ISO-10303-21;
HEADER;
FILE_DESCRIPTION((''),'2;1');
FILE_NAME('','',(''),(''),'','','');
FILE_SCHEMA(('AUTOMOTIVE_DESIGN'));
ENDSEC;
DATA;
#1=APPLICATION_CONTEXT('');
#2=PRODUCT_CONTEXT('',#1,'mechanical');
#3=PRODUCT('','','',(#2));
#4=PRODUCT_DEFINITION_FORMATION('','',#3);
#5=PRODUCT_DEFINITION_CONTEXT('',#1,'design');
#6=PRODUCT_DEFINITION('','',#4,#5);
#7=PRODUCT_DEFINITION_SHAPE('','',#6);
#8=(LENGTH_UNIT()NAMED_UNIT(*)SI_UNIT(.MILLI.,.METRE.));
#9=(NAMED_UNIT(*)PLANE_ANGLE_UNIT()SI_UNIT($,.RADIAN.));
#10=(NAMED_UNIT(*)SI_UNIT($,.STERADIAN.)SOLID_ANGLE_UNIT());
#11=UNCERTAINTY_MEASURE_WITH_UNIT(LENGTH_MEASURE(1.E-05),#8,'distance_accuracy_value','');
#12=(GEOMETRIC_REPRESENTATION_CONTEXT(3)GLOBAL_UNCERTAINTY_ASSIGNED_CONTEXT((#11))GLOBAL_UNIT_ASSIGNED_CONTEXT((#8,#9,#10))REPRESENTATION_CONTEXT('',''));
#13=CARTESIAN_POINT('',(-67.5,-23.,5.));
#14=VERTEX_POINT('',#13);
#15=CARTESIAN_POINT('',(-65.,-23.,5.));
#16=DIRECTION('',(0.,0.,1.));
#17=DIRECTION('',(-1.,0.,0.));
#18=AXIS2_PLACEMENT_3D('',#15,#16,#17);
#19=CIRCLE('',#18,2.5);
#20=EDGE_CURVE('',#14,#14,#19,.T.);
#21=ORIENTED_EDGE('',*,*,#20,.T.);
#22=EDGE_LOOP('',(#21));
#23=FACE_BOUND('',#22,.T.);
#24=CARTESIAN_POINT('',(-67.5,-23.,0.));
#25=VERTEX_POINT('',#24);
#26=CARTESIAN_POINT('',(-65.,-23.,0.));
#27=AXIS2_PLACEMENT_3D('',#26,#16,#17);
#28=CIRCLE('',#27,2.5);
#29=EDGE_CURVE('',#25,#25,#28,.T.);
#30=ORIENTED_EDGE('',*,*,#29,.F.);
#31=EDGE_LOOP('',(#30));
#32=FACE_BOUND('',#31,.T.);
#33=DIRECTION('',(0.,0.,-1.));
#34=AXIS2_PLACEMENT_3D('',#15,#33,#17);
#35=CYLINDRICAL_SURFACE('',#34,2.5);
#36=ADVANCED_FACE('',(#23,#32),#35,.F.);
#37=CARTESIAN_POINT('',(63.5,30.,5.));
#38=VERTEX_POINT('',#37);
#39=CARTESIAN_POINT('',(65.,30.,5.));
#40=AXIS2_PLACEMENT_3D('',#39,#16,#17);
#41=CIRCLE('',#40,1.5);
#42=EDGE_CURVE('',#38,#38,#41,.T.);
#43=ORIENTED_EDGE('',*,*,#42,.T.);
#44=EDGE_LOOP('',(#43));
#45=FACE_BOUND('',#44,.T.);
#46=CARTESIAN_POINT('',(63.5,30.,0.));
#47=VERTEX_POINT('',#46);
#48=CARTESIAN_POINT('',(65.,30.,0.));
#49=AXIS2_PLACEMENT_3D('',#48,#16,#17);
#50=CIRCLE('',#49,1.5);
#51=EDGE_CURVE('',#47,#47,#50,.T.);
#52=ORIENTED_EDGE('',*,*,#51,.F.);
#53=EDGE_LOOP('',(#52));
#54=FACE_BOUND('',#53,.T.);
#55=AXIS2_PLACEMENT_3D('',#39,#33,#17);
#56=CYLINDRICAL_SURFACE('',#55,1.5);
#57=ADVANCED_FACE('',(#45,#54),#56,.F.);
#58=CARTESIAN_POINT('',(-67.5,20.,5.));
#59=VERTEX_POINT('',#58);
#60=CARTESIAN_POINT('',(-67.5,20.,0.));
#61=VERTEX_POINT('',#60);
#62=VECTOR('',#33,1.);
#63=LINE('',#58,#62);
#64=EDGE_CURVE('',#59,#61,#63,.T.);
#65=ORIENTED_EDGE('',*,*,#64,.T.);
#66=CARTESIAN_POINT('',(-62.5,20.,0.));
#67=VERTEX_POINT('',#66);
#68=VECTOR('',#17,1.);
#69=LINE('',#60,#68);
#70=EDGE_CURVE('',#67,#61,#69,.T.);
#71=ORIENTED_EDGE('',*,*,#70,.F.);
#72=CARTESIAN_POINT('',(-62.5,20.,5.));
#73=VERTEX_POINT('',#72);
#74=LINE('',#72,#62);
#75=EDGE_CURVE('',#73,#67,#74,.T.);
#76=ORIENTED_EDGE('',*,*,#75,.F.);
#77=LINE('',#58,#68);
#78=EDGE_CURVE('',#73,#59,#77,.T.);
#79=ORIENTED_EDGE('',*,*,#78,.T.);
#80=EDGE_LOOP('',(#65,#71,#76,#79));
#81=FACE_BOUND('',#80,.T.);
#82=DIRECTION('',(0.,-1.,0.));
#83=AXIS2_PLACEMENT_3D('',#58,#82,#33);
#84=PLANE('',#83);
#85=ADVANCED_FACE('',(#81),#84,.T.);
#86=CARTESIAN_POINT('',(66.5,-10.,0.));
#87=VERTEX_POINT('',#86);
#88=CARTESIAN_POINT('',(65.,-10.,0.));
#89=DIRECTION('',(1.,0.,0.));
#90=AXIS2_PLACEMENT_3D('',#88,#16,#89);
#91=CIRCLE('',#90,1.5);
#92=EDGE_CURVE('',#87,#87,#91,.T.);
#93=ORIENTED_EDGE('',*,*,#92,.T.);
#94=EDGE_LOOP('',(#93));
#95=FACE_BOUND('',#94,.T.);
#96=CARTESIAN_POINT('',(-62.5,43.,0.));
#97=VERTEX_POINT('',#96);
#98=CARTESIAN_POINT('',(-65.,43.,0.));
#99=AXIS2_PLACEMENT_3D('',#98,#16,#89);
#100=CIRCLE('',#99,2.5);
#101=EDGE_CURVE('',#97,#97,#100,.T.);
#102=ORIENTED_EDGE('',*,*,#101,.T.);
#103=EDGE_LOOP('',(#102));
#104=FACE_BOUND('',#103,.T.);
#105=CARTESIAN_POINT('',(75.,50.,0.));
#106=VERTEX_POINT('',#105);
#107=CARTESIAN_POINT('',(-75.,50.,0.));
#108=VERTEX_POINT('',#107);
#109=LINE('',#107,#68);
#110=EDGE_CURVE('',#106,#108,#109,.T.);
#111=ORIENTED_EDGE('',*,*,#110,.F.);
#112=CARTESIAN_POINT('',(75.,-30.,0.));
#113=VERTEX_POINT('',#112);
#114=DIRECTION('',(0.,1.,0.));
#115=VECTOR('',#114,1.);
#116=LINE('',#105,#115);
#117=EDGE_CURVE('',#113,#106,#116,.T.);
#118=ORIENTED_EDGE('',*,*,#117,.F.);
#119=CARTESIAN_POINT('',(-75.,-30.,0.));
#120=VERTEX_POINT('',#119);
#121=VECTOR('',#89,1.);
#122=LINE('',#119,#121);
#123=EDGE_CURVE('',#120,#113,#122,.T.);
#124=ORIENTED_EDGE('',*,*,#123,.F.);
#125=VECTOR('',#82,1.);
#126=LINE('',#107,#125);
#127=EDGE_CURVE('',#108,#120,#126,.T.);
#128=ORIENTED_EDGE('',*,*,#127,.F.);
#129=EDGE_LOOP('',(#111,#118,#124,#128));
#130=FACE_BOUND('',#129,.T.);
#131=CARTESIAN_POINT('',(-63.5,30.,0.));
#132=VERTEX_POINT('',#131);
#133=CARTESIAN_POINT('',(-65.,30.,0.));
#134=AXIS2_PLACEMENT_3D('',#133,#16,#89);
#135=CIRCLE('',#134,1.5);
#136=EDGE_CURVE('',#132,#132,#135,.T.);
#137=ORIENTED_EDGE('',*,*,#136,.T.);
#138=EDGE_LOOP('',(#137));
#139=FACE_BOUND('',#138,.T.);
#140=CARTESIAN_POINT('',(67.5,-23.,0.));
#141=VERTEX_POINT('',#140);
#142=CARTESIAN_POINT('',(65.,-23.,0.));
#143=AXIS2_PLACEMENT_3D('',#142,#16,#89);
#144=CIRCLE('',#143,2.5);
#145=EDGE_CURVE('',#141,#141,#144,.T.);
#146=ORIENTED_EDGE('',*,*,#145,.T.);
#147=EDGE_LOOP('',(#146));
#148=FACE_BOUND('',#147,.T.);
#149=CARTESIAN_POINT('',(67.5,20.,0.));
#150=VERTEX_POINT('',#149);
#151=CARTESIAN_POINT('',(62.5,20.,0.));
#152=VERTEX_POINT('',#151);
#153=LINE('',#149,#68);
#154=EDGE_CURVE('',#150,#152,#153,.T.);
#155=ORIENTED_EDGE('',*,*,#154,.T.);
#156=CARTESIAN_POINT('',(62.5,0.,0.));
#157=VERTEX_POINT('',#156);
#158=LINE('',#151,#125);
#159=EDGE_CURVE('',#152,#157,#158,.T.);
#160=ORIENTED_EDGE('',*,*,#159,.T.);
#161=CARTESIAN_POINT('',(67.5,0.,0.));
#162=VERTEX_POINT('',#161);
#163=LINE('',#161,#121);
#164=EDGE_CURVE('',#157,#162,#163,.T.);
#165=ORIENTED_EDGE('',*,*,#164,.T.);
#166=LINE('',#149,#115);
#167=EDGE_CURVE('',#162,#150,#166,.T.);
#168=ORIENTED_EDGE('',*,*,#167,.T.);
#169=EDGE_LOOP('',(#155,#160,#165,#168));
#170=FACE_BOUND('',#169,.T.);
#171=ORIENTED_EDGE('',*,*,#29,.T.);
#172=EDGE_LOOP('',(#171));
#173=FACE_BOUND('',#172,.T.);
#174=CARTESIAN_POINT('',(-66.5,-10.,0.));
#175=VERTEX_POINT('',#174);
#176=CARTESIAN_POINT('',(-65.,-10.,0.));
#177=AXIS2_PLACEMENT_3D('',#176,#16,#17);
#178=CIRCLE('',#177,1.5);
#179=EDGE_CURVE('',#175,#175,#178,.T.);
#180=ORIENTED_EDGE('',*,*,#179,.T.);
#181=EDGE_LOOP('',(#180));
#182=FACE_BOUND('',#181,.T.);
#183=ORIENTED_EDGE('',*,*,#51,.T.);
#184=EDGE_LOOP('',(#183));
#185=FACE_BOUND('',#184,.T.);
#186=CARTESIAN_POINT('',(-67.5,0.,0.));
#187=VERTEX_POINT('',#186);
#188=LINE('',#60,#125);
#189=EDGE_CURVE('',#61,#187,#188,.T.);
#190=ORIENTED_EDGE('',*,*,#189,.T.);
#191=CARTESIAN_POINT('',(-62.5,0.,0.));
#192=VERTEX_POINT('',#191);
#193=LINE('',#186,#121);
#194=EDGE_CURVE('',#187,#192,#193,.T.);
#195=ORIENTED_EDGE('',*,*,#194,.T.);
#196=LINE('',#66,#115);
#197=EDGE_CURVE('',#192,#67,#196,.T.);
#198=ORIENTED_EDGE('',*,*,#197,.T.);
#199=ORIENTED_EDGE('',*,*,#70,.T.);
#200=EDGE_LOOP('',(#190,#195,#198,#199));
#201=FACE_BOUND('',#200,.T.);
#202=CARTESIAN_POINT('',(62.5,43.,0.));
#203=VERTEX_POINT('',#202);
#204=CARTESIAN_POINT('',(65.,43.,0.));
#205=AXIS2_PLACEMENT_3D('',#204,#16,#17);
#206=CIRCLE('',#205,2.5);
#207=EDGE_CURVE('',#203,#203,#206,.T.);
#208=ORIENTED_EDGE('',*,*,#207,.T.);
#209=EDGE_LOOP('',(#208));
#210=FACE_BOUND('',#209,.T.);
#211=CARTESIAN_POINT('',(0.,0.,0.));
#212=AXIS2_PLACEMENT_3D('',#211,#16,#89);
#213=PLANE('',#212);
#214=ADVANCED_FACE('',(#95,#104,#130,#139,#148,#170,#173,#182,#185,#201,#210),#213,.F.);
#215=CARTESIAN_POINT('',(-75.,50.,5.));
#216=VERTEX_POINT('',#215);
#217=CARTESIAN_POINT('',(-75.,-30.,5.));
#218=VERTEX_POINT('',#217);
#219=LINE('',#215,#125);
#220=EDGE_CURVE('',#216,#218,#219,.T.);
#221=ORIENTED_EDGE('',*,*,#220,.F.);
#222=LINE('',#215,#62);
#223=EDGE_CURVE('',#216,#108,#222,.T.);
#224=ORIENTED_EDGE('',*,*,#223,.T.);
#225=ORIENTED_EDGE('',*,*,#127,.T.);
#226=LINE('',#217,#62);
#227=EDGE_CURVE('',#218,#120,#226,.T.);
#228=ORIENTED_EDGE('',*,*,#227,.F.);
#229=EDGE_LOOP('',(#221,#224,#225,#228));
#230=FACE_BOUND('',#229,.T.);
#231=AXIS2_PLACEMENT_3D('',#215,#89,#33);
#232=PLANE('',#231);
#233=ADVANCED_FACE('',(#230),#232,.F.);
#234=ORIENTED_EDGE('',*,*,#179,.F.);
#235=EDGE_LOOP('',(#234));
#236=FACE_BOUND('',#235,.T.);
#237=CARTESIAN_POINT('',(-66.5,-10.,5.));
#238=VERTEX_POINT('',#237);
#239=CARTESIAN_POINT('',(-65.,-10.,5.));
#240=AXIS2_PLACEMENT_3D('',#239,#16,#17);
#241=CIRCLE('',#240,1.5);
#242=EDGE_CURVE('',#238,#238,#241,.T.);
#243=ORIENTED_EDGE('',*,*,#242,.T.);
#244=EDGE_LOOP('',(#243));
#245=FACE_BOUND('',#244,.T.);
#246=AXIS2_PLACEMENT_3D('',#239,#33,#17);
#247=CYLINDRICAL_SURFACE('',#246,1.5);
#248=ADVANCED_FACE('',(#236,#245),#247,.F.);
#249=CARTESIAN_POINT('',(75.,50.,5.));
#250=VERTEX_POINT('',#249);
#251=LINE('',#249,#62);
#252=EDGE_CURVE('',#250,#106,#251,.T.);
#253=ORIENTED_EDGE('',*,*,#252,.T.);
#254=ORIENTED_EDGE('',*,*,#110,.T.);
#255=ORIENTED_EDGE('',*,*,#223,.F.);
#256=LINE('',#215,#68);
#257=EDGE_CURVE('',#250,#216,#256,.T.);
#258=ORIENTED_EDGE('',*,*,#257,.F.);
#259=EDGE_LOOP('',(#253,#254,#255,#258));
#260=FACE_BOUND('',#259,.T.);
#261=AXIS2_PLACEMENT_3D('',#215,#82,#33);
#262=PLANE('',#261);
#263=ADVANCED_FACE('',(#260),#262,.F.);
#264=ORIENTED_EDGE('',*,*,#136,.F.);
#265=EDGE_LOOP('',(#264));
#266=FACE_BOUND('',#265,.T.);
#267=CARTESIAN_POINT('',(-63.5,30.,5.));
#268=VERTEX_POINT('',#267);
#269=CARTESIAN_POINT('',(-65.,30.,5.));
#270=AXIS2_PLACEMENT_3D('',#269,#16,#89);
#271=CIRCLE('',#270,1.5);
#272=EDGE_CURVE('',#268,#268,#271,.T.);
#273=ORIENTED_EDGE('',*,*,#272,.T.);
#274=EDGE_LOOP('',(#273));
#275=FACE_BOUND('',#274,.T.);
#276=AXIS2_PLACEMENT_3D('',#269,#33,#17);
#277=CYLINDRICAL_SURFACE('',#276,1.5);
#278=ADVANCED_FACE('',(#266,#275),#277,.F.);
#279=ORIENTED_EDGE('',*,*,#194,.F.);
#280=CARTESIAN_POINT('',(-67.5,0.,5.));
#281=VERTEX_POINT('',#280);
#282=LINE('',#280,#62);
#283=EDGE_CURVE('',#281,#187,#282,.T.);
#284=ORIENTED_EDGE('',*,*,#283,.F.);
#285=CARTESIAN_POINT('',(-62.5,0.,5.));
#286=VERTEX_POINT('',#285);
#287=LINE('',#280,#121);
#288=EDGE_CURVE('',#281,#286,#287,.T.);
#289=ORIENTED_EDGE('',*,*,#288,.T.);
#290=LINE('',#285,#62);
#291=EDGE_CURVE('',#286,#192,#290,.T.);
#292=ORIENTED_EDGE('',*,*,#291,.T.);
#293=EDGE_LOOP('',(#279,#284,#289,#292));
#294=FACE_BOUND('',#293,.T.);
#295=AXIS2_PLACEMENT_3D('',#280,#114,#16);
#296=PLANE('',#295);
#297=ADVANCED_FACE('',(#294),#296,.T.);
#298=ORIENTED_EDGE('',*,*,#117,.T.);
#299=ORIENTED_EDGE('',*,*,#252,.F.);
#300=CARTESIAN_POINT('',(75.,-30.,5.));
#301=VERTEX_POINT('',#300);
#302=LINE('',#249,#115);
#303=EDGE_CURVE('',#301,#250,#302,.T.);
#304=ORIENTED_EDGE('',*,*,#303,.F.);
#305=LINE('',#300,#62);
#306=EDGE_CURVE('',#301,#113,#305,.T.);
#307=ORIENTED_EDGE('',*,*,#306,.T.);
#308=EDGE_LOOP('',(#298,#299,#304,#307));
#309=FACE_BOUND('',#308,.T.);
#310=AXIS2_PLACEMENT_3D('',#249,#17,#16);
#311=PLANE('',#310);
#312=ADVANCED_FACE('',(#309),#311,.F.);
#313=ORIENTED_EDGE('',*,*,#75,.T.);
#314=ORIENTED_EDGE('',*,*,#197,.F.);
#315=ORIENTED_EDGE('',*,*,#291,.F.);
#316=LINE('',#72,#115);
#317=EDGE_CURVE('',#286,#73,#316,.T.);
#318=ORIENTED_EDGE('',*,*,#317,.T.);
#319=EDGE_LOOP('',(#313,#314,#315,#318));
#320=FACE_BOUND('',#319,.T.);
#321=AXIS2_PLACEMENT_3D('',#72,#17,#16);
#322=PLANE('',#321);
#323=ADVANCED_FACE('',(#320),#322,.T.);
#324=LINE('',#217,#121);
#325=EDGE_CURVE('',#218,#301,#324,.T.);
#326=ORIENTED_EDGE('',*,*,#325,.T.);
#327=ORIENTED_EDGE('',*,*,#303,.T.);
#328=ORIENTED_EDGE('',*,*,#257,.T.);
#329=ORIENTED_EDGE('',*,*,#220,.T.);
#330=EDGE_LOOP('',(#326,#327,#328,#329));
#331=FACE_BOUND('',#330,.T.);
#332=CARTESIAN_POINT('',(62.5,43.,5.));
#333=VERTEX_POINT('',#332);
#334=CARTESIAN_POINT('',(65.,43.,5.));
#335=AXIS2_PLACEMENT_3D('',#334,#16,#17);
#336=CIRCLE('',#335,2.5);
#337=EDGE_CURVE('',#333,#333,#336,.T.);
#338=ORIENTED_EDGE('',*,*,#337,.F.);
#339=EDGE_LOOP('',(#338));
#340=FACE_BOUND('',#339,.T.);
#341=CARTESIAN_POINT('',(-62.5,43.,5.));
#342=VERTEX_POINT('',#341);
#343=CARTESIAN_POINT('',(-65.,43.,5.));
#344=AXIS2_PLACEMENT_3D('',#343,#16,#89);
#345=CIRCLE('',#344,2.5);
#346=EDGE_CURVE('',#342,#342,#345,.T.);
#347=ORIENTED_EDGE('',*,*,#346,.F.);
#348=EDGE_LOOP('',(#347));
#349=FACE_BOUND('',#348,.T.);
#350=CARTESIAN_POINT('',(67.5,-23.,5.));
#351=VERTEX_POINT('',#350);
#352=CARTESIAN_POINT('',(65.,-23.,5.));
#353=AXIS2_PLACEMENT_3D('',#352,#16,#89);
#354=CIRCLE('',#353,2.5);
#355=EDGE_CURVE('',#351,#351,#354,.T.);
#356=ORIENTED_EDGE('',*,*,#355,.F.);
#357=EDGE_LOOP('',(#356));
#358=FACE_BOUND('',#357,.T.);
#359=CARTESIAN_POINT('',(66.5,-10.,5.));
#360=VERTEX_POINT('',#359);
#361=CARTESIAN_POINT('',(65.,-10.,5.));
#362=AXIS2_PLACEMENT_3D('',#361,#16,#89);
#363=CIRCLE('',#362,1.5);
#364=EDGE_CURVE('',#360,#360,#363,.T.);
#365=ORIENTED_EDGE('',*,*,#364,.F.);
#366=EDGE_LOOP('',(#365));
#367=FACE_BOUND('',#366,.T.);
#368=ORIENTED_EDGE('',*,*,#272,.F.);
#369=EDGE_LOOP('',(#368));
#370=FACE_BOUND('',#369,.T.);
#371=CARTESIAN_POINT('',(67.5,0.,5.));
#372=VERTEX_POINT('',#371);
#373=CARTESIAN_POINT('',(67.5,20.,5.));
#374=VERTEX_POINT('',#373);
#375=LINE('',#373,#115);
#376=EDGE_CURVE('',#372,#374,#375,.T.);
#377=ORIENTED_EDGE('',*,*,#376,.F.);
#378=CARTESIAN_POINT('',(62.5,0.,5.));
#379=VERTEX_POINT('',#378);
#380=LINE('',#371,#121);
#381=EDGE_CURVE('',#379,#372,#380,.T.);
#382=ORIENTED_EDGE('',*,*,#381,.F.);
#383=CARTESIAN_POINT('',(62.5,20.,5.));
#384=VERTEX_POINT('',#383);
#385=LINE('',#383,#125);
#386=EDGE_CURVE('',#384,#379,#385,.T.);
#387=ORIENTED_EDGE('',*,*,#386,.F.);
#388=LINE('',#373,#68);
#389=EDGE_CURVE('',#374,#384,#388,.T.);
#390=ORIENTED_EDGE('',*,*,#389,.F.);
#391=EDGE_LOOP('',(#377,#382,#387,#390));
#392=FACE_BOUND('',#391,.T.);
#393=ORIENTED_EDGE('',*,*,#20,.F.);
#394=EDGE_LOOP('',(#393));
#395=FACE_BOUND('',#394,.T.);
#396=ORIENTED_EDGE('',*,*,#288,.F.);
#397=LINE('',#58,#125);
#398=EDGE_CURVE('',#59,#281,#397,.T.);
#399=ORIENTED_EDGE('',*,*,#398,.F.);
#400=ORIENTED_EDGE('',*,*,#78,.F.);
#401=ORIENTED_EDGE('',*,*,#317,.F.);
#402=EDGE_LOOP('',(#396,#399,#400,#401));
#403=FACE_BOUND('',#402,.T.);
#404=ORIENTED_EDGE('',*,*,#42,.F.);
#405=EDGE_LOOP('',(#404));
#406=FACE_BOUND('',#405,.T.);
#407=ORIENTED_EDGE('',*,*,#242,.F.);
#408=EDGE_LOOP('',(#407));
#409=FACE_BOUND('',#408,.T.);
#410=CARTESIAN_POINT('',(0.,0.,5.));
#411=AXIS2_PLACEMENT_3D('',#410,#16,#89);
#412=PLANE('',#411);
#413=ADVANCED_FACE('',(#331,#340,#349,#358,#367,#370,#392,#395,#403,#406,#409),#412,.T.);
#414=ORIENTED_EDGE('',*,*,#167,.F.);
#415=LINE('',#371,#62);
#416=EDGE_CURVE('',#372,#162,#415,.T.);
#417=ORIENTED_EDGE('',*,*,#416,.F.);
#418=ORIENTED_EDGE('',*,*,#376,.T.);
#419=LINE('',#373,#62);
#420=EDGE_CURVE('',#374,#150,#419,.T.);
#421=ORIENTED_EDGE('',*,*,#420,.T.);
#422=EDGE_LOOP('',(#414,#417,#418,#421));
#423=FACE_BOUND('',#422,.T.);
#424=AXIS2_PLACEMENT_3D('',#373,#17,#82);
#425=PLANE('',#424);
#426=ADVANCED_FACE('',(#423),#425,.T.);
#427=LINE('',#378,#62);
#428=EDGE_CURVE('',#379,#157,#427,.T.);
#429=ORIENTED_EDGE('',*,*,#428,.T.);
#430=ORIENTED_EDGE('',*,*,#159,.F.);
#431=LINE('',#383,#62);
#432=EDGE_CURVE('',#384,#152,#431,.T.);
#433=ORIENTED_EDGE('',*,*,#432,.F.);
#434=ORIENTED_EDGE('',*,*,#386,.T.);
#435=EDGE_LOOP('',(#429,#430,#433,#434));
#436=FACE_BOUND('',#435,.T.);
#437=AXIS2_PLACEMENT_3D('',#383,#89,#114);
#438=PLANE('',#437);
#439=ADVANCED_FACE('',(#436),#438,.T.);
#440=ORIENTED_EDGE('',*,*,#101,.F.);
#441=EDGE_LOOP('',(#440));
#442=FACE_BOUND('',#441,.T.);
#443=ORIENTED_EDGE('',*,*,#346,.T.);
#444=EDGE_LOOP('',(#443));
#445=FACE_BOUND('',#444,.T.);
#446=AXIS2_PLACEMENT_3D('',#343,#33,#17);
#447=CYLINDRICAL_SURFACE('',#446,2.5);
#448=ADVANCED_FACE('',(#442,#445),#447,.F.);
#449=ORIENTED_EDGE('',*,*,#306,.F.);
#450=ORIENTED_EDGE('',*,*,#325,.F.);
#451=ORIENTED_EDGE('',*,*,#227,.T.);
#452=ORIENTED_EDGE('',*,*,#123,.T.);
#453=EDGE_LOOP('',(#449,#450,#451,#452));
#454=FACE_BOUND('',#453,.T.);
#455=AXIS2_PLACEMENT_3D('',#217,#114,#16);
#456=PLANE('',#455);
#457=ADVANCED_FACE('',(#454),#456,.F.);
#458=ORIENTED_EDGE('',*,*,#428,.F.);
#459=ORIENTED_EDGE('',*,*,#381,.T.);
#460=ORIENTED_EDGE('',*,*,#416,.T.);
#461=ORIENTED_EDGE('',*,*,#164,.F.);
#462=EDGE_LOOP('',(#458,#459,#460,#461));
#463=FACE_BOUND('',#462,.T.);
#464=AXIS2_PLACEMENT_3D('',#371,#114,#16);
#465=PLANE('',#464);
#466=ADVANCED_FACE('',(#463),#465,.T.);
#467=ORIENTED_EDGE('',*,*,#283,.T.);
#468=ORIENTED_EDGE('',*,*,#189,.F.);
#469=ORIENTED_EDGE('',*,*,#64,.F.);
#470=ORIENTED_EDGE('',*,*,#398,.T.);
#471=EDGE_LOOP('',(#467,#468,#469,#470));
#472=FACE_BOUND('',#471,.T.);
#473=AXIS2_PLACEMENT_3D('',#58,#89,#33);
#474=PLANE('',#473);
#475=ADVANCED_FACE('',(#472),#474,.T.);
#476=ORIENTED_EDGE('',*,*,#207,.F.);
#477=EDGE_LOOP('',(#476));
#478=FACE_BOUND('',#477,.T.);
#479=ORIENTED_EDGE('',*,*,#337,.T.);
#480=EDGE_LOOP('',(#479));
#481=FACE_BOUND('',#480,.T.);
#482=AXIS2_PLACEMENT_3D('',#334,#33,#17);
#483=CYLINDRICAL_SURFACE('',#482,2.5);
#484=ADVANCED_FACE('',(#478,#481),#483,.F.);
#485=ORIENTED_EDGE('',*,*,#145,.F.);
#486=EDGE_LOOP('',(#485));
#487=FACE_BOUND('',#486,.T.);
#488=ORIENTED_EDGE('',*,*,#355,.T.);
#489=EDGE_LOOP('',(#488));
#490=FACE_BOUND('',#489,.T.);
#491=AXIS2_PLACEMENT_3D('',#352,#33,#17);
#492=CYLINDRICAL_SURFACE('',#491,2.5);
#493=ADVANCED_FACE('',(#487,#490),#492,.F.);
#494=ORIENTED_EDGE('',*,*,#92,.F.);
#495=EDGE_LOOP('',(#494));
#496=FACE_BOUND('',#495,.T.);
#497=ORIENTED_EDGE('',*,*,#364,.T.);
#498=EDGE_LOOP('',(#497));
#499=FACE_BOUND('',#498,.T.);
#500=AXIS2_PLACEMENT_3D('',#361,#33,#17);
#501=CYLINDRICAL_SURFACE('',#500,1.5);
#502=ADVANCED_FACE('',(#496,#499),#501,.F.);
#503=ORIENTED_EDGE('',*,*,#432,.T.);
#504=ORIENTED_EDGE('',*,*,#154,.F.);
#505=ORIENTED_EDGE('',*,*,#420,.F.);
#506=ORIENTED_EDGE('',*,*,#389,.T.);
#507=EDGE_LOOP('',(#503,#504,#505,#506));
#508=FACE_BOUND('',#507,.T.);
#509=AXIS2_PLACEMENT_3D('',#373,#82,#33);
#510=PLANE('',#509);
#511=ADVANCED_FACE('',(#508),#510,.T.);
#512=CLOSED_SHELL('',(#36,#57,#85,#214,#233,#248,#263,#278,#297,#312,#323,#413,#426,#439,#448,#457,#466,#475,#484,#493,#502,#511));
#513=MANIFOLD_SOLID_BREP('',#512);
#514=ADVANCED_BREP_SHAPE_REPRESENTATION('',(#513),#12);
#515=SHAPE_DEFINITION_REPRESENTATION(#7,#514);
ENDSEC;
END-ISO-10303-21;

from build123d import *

# Parameters (mm, degrees)
SKETCH1_W           = 150
SKETCH1_H           = 80
SKETCH1_R           = 2.5
SKETCH1_R_2         = 1.5
SKETCH1_W_2         = 5
SKETCH1_H_2         = 20
BOSS_EXTRUDE1_DEPTH = 5


with BuildPart() as part:
    # Sketch1 → Boss-Extrude1 (new body)
    with BuildSketch(Plane.XY):
        with Locations((0, 10)):
            Rectangle(SKETCH1_W, SKETCH1_H)
        with Locations((-65, 43)):
            Circle(SKETCH1_R, mode=Mode.SUBTRACT)
        with Locations(Location((65, 43, 0), (0, 0, 180))):
            Circle(SKETCH1_R, mode=Mode.SUBTRACT)
        with Locations((65, -23)):
            Circle(SKETCH1_R, mode=Mode.SUBTRACT)
        with Locations(Location((-65, -23, 0), (0, 0, 180))):
            Circle(SKETCH1_R, mode=Mode.SUBTRACT)
        with Locations((-65, 30)):
            Circle(SKETCH1_R_2, mode=Mode.SUBTRACT)
        with Locations(Location((-65, -10, 0), (0, 0, 180))):
            Circle(SKETCH1_R_2, mode=Mode.SUBTRACT)
        with Locations((65, -10)):
            Circle(SKETCH1_R_2, mode=Mode.SUBTRACT)
        with Locations(Location((65, 30, 0), (0, 0, 180))):
            Circle(SKETCH1_R_2, mode=Mode.SUBTRACT)
        with Locations((-65, 10)):
            Rectangle(SKETCH1_W_2, SKETCH1_H_2, mode=Mode.SUBTRACT)
        with Locations((65, 10)):
            Rectangle(SKETCH1_W_2, SKETCH1_H_2, mode=Mode.SUBTRACT)
    extrude(amount=BOSS_EXTRUDE1_DEPTH)


solid = part.part
